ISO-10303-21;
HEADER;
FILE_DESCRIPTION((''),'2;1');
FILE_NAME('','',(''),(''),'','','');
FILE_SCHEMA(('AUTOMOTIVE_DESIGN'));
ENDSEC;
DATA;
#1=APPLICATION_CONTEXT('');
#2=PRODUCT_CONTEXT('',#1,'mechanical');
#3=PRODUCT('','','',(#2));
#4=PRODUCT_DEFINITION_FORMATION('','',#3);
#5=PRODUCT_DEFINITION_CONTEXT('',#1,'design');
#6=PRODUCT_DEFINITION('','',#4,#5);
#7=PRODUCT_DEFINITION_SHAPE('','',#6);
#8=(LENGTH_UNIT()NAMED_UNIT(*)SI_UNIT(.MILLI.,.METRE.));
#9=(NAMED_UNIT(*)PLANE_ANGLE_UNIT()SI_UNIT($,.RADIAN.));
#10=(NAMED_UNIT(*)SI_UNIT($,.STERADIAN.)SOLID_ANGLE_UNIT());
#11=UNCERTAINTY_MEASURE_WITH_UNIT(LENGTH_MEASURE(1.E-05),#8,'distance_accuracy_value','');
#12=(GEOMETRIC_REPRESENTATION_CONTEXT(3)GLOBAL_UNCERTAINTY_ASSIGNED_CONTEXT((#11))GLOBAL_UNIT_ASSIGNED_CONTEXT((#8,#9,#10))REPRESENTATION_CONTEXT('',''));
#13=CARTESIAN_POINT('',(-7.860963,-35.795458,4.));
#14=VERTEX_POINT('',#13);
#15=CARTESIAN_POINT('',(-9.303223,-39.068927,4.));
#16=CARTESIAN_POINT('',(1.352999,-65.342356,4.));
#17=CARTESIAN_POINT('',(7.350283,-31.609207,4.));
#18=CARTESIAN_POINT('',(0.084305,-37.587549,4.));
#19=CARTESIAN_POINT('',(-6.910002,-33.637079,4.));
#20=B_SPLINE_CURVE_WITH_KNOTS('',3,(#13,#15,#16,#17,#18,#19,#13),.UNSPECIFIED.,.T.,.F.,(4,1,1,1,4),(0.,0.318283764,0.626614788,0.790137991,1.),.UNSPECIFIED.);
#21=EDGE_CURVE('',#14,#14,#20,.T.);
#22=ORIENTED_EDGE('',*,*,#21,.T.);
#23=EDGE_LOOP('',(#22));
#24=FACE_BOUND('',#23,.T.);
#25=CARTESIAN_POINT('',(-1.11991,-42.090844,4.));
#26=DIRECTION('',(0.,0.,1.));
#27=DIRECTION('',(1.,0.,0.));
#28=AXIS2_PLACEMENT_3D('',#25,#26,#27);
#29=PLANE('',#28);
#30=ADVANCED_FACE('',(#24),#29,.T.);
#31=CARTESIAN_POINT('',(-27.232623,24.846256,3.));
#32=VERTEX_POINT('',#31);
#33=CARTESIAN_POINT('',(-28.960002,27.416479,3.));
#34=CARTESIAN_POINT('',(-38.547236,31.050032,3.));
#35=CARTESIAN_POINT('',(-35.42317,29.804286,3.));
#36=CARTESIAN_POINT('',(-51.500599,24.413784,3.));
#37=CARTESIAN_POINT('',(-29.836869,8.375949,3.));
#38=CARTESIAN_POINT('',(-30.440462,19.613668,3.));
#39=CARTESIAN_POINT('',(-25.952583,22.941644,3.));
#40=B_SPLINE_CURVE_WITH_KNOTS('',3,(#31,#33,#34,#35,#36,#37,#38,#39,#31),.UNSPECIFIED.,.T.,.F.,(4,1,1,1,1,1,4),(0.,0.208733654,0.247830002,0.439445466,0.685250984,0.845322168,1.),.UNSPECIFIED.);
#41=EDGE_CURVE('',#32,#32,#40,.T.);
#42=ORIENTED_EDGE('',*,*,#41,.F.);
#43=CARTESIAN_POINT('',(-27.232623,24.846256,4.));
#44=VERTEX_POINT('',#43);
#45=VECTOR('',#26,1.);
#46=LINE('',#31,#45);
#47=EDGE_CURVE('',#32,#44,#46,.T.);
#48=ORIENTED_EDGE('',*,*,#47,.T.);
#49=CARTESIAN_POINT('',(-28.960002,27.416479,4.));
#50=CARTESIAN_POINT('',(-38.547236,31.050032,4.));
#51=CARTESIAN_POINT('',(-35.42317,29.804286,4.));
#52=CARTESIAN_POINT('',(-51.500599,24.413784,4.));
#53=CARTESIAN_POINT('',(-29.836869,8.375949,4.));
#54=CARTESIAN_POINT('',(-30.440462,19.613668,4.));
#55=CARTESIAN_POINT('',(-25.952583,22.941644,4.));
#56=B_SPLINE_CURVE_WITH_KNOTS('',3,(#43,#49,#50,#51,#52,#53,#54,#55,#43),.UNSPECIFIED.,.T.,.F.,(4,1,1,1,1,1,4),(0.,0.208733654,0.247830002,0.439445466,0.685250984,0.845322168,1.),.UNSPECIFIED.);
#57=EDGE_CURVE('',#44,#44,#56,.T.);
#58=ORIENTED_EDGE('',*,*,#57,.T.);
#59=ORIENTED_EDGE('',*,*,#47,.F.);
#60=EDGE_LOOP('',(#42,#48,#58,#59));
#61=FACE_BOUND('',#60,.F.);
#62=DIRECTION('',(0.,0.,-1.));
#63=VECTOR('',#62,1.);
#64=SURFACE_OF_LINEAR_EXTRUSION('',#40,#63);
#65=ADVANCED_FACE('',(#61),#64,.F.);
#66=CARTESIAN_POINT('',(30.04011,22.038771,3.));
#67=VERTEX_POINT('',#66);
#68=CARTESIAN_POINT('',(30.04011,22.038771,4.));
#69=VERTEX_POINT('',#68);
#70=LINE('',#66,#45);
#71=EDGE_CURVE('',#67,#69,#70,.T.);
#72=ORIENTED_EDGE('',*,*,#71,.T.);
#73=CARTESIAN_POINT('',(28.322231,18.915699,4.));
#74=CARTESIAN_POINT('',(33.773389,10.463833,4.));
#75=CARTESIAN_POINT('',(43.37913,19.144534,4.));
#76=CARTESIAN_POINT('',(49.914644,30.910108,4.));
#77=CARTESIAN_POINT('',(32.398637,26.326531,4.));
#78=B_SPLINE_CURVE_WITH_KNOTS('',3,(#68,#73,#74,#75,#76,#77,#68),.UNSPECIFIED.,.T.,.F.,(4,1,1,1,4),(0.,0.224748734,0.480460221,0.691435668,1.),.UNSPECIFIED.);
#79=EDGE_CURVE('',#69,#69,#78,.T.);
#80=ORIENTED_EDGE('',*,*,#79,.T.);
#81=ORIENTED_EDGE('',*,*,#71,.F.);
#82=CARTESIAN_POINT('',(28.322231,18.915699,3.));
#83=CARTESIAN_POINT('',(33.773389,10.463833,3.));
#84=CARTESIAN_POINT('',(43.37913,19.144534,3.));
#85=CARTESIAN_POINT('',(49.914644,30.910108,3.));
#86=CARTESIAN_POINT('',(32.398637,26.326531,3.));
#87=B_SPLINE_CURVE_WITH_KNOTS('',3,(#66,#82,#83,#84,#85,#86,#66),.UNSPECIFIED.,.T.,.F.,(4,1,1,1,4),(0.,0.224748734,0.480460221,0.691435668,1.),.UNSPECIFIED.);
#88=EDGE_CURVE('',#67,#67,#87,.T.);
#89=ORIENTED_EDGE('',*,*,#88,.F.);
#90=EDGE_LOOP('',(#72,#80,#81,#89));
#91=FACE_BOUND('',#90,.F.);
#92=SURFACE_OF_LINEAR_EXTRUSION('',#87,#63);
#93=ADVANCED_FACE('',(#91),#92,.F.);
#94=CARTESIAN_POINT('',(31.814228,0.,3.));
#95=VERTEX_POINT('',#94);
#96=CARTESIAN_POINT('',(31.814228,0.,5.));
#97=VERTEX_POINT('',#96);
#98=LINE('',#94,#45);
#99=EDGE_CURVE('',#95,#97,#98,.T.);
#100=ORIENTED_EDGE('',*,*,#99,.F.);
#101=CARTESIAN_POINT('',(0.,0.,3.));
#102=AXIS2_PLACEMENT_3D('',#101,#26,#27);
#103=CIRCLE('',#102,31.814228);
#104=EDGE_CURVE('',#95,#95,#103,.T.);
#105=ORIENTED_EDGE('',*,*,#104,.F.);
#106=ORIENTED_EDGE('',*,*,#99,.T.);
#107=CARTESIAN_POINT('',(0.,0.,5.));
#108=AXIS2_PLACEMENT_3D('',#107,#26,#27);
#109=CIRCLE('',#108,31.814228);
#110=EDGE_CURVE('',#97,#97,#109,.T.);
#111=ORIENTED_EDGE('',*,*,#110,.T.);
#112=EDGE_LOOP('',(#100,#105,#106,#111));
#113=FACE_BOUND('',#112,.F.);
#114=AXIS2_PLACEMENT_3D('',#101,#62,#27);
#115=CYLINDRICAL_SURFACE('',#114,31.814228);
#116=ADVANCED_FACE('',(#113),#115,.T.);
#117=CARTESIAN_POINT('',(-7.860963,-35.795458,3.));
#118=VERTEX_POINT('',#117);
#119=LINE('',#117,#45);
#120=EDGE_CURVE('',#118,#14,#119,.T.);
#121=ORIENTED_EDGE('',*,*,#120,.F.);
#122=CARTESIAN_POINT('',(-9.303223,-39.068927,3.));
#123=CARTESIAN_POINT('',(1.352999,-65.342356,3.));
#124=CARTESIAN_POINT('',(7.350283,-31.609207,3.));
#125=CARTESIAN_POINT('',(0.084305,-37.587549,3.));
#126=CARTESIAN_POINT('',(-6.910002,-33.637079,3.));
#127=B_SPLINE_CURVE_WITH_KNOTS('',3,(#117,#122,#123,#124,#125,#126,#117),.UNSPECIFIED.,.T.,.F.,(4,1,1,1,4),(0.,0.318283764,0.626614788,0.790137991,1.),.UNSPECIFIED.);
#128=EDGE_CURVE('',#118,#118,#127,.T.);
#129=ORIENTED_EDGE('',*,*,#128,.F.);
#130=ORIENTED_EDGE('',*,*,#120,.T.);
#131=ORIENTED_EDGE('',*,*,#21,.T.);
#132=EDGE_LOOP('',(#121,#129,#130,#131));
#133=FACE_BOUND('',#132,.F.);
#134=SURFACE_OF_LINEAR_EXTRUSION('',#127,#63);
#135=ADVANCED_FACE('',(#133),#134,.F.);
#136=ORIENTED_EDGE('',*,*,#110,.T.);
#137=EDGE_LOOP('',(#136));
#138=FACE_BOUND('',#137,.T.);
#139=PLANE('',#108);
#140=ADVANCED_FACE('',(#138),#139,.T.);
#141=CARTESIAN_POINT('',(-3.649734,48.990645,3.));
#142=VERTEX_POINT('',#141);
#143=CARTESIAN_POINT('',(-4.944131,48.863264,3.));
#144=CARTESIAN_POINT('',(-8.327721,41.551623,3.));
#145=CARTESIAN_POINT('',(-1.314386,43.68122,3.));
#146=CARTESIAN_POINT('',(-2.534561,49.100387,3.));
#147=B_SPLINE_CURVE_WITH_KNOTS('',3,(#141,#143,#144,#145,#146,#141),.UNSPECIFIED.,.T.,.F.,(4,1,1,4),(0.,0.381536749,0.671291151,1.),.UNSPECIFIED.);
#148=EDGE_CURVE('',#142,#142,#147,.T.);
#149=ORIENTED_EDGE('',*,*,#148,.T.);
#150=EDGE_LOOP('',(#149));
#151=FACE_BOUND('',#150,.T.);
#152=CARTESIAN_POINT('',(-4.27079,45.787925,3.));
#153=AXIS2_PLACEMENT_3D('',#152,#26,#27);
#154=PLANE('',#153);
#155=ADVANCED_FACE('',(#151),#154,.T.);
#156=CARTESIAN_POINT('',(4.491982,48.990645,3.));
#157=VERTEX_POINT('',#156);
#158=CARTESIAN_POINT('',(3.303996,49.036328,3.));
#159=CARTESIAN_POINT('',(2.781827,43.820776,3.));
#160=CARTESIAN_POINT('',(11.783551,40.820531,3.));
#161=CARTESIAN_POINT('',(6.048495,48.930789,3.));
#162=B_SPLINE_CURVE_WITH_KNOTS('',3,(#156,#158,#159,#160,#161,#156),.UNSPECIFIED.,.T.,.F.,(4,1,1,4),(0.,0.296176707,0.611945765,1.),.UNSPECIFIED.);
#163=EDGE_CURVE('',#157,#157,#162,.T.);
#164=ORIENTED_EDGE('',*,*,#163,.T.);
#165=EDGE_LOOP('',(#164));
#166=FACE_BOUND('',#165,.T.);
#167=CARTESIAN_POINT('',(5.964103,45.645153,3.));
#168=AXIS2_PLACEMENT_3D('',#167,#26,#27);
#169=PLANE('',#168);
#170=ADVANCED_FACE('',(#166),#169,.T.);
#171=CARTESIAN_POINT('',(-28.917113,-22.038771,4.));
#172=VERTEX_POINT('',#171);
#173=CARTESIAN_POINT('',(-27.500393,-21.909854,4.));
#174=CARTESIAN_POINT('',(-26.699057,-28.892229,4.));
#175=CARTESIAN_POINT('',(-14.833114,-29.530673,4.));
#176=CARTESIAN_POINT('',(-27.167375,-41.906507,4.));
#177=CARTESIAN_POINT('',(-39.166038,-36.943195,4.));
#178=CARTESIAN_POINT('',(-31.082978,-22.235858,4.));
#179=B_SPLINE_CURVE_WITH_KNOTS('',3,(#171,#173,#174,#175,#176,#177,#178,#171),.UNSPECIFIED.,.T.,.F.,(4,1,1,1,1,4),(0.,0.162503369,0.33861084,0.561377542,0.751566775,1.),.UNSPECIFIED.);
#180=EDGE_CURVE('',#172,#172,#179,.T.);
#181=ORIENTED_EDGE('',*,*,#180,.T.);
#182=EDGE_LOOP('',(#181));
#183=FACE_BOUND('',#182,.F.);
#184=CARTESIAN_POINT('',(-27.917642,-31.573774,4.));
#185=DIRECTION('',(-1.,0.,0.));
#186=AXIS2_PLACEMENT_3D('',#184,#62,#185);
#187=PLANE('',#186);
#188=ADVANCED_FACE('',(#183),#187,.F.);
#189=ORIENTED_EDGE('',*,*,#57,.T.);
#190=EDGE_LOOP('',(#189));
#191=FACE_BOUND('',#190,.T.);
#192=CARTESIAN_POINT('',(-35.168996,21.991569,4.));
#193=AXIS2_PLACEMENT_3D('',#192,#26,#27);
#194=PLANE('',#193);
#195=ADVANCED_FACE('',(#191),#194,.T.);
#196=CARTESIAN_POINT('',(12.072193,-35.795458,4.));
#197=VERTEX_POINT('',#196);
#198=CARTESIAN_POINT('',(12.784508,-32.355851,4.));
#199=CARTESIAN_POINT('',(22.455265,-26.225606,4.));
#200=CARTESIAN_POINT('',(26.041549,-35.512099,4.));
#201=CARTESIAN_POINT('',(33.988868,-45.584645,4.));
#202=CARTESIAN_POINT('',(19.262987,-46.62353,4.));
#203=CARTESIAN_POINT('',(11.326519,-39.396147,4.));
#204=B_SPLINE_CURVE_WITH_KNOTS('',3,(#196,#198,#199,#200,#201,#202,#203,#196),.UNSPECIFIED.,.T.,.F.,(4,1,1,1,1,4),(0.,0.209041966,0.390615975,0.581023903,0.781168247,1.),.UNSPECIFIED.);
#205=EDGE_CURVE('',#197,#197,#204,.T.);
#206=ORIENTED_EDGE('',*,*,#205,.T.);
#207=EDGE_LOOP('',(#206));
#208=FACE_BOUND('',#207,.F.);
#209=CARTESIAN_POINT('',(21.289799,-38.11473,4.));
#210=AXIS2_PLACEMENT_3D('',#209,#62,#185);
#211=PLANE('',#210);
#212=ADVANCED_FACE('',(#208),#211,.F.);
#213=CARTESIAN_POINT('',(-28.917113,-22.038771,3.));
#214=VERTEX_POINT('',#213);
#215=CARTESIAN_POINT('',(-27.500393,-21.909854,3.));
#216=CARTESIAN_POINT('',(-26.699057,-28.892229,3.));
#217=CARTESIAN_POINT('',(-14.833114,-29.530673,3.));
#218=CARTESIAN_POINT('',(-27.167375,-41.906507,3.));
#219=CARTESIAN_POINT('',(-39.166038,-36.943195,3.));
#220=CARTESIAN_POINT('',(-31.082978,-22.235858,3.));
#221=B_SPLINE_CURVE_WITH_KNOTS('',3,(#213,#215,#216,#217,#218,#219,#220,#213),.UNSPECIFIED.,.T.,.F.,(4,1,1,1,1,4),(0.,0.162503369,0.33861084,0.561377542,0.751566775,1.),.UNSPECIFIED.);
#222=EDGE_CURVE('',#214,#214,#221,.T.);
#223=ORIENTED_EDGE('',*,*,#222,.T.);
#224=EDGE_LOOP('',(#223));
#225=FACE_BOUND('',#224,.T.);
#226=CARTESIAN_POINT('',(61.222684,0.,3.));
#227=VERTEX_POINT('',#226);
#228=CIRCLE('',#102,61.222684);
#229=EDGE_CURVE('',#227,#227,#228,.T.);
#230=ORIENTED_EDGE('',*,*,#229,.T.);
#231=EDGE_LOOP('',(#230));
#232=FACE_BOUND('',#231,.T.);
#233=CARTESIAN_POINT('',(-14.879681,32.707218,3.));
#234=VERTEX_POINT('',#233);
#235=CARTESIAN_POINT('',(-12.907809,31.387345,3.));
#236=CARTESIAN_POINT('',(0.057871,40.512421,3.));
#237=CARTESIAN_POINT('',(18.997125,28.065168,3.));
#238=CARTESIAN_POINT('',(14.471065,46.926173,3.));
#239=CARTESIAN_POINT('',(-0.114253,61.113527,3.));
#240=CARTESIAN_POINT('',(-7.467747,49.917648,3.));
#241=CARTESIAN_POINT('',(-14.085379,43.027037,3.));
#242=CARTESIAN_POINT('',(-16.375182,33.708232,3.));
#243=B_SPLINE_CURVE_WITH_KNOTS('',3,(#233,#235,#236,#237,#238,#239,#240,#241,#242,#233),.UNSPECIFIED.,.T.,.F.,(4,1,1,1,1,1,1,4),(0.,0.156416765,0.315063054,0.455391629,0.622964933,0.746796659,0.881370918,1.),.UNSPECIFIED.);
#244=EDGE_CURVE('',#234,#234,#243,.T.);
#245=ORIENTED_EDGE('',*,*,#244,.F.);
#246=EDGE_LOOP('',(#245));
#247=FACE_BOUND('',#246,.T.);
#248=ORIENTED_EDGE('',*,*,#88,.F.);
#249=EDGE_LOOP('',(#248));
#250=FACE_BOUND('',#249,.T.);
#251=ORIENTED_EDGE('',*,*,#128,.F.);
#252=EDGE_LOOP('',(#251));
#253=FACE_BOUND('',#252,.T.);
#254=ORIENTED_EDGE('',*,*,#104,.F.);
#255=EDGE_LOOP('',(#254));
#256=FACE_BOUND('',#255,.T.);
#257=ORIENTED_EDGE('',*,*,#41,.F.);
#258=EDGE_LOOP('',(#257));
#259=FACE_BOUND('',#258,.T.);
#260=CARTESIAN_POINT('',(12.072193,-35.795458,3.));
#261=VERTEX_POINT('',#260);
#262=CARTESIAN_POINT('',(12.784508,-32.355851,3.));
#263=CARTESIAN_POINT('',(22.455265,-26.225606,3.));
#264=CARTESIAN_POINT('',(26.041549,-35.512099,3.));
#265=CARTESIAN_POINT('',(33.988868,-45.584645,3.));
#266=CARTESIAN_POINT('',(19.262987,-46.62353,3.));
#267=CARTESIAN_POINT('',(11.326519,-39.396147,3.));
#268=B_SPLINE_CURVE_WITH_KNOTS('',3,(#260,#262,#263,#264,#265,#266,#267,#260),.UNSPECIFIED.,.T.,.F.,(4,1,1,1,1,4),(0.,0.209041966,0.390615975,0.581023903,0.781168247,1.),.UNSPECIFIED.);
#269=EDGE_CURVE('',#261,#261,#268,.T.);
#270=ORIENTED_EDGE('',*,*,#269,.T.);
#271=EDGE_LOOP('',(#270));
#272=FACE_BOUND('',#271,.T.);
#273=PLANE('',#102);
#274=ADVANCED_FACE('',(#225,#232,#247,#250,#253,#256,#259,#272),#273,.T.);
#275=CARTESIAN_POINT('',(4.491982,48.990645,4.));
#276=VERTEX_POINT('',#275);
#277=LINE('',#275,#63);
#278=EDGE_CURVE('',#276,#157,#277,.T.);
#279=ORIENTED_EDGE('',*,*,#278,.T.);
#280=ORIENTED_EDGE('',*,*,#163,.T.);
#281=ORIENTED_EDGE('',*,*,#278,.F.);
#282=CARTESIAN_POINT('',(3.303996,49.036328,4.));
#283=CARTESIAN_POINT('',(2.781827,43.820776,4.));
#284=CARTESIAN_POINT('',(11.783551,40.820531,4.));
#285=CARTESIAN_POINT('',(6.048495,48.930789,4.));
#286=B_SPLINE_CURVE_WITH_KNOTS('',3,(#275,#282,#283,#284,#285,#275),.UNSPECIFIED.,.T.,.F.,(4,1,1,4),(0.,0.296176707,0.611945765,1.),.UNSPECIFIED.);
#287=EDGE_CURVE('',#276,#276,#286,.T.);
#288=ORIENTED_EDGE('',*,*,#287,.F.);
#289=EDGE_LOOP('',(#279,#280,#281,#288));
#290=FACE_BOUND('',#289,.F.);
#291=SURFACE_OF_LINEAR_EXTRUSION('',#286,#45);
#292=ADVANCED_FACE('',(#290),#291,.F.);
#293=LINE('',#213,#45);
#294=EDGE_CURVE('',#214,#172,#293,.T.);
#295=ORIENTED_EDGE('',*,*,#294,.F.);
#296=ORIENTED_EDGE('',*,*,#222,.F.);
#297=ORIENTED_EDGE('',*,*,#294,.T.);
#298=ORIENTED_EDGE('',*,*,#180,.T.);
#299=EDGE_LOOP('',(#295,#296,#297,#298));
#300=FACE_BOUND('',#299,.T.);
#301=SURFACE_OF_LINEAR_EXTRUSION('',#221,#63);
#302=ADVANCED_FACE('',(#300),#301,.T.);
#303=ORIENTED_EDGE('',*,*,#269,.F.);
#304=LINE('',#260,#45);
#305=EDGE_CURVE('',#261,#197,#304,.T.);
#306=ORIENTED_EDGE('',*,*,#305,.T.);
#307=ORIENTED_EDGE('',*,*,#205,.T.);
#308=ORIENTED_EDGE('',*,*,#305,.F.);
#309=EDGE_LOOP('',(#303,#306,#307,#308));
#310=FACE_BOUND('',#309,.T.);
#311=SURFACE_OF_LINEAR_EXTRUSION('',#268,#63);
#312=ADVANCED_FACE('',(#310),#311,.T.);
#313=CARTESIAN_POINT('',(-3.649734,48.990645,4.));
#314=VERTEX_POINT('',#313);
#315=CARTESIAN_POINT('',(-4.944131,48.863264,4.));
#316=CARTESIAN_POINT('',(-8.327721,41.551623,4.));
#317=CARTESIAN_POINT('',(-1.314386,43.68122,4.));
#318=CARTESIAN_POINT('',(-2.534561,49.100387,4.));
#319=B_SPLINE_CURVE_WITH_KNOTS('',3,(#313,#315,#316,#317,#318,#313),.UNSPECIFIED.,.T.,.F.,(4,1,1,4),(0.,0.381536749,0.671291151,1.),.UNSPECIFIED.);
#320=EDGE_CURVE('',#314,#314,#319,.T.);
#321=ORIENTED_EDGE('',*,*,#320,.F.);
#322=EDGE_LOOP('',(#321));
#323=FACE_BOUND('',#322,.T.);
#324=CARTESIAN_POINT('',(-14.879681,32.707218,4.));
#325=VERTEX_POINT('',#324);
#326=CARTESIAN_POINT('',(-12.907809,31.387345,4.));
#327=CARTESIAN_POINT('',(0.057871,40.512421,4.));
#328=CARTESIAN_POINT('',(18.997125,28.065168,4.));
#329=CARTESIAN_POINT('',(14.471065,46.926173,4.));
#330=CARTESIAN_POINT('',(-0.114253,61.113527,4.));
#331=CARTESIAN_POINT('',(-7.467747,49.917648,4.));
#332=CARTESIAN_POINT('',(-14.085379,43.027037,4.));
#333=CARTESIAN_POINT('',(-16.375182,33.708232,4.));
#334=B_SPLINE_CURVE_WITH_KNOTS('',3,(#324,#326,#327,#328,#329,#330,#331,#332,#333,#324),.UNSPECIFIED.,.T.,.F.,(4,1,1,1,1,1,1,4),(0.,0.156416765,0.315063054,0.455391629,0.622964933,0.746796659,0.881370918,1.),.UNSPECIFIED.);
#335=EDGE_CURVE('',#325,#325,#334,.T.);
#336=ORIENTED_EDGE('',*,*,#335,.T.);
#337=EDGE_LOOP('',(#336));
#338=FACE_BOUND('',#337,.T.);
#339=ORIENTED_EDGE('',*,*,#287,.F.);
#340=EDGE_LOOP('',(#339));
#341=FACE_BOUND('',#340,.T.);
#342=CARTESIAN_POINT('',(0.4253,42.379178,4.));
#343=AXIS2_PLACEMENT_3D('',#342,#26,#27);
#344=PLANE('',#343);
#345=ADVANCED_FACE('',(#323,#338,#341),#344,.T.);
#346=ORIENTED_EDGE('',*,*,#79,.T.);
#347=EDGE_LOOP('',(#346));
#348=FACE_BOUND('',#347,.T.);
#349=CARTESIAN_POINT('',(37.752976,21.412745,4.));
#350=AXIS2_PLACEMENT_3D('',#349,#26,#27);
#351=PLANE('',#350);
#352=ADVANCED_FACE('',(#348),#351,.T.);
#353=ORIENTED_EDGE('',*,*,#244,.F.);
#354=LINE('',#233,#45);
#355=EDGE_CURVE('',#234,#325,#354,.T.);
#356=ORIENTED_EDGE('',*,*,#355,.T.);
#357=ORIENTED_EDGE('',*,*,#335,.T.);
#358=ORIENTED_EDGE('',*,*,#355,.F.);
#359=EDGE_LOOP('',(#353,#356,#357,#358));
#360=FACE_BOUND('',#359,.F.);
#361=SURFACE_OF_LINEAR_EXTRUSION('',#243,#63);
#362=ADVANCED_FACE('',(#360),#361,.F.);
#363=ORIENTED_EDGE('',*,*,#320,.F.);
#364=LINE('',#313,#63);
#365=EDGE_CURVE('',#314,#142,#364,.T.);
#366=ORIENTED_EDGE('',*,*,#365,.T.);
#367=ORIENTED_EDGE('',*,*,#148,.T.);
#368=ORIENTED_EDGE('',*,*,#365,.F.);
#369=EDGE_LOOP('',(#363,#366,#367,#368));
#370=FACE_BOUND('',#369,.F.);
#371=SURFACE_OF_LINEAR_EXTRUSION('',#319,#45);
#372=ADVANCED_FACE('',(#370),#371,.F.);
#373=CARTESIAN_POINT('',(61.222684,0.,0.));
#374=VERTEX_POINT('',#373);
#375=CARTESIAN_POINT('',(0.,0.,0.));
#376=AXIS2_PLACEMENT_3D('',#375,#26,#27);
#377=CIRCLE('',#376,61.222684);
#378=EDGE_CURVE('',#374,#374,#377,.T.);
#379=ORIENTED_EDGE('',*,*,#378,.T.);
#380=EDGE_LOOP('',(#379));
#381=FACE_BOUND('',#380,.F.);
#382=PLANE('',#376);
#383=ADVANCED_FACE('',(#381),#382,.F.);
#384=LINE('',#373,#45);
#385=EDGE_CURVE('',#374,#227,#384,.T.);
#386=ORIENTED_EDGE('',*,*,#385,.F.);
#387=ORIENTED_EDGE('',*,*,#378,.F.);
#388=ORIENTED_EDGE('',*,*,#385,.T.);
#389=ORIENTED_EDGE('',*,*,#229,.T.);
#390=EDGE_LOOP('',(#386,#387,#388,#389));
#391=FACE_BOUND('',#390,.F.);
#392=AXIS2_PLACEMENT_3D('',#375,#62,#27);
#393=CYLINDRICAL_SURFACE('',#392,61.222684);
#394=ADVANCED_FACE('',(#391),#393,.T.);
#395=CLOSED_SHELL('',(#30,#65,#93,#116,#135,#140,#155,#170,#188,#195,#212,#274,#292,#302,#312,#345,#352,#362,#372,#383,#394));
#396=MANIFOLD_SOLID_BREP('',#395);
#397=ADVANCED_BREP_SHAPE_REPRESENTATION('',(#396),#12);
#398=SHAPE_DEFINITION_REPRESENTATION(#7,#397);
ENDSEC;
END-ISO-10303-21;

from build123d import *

# Parameters (mm, degrees)
F0_R     = 61.2226835339
F1_DEPTH = 3
F2_R     = 31.8142279916
F3_DEPTH = 2
F5_DEPTH = 1
F7_DEPTH = 1
F9_DEPTH = 1


with BuildPart() as f1:
    # F0 (on Top) → F1 (new body)
    with BuildSketch(Plane.XY):
        Circle(F0_R)
    extrude(amount=F1_DEPTH)

    # F2 (on face) → F3 (join)
    with BuildSketch(Plane.XY.offset(3)):
        Circle(F2_R)
    extrude(amount=F3_DEPTH)

    # F4 (on face) → F5 (join)
    with BuildSketch(Plane.XY.offset(3)):
        with BuildLine():
            add(Edge.make_bspline(
                [(-14.87968117, 32.7072180808), (-12.9078093745, 31.387344526), (0.0578711193, 40.5124214051), (18.9971252767, 28.0651679358), (14.4710653767, 46.9261725299), (-0.1142532985, 61.113526996), (-7.4677472524, 49.9176480493), (-14.0853789879, 43.0270366462), (-16.3751816085, 33.7082321854), (-14.87968117, 32.7072180808)],
                knots=[0, 0, 0, 0, 0.1564167654, 0.3150630542, 0.4553916294, 0.6229649329, 0.7467966593, 0.8813709179, 1, 1, 1, 1], degree=3))
        make_face()
    extrude(amount=F5_DEPTH)

    # F6 (on face) → F7 (join)
    with BuildSketch(Plane.XY.offset(3)):
        with BuildLine():
            add(Edge.make_bspline(
                [(-27.2326227278, 24.8462557793), (-28.9600024397, 27.4164790456), (-38.5472361274, 31.0500317907), (-35.4231704349, 29.8042864663), (-51.5005992935, 24.4137840326), (-29.8368693728, 8.3759494407), (-30.4404623041, 19.6136681066), (-25.9525831033, 22.9416440707), (-27.2326227278, 24.8462557793)],
                knots=[0, 0, 0, 0, 0.2087336544, 0.2478300017, 0.4394454659, 0.6852509841, 0.8453221682, 1, 1, 1, 1], degree=3))
        make_face()
        with BuildLine():
            add(Edge.make_bspline(
                [(-28.917113319, -22.0387708396), (-27.5003930415, -21.9098535472), (-26.6990568222, -28.8922288853), (-14.8331141955, -29.5306728354), (-27.1673748588, -41.9065069488), (-39.1660375744, -36.9431954506), (-31.0829784884, -22.2358580683), (-28.917113319, -22.0387708396)],
                knots=[0, 0, 0, 0, 0.1625033694, 0.3386108404, 0.5613775423, 0.7515667748, 1, 1, 1, 1], degree=3))
        make_face()
        with BuildLine():
            add(Edge.make_bspline(
                [(-7.8609632328, -35.7954576612), (-9.3032232795, -39.0689272966), (1.3529994687, -65.3423557846), (7.3502830994, -31.6092071176), (0.0843054699, -37.5875485081), (-6.9100017785, -33.6370789053), (-7.8609632328, -35.7954576612)],
                knots=[0, 0, 0, 0, 0.3182837643, 0.6266147876, 0.7901379906, 1, 1, 1, 1], degree=3))
        make_face()
        with BuildLine():
            add(Edge.make_bspline(
                [(12.0721934363, -35.7954576612), (12.7845084674, -32.3558509787), (22.4552654373, -26.2256059935), (26.0415490673, -35.5120988732), (33.9888682992, -45.5846452509), (19.2629874981, -46.6235297098), (11.3265194922, -39.3961469201), (12.0721934363, -35.7954576612)],
                knots=[0, 0, 0, 0, 0.2090419656, 0.3906159753, 0.5810239034, 0.7811682469, 1, 1, 1, 1], degree=3))
        make_face()
        with BuildLine():
            add(Edge.make_bspline(
                [(30.0401095301, 22.0387708396), (28.3222311363, 18.9156989541), (33.7733886466, 10.4638328697), (43.3791296248, 19.144534311), (49.9146437231, 30.91010751), (32.3986367127, 26.3265306496), (30.0401095301, 22.0387708396)],
                knots=[0, 0, 0, 0, 0.224748734, 0.4804602213, 0.6914356683, 1, 1, 1, 1], degree=3))
        make_face()
    extrude(amount=F7_DEPTH)

    # F8 (on face) → F9 (cut)
    with BuildSketch(Plane.XY.offset(4)):
        with BuildLine():
            add(Edge.make_bspline(
                [(-3.6497339606, 48.9906445146), (-4.9441305584, 48.8632643976), (-8.3277209771, 41.5516230066), (-1.3143864863, 43.681220463), (-2.5345606049, 49.1003874734), (-3.6497339606, 48.9906445146)],
                knots=[0, 0, 0, 0, 0.3815367486, 0.6712911507, 1, 1, 1, 1], degree=3))
        make_face()
        with BuildLine():
            add(Edge.make_bspline(
                [(4.4919815846, 48.9906445146), (3.3039956811, 49.0363284506), (2.7818272854, 43.8207759873), (11.7835506279, 40.8205314489), (6.0484948115, 48.9307888795), (4.4919815846, 48.9906445146)],
                knots=[0, 0, 0, 0, 0.2961767067, 0.6119457645, 1, 1, 1, 1], degree=3))
        make_face()
    extrude(amount=-F9_DEPTH, mode=Mode.SUBTRACT)


solid = f1.part
